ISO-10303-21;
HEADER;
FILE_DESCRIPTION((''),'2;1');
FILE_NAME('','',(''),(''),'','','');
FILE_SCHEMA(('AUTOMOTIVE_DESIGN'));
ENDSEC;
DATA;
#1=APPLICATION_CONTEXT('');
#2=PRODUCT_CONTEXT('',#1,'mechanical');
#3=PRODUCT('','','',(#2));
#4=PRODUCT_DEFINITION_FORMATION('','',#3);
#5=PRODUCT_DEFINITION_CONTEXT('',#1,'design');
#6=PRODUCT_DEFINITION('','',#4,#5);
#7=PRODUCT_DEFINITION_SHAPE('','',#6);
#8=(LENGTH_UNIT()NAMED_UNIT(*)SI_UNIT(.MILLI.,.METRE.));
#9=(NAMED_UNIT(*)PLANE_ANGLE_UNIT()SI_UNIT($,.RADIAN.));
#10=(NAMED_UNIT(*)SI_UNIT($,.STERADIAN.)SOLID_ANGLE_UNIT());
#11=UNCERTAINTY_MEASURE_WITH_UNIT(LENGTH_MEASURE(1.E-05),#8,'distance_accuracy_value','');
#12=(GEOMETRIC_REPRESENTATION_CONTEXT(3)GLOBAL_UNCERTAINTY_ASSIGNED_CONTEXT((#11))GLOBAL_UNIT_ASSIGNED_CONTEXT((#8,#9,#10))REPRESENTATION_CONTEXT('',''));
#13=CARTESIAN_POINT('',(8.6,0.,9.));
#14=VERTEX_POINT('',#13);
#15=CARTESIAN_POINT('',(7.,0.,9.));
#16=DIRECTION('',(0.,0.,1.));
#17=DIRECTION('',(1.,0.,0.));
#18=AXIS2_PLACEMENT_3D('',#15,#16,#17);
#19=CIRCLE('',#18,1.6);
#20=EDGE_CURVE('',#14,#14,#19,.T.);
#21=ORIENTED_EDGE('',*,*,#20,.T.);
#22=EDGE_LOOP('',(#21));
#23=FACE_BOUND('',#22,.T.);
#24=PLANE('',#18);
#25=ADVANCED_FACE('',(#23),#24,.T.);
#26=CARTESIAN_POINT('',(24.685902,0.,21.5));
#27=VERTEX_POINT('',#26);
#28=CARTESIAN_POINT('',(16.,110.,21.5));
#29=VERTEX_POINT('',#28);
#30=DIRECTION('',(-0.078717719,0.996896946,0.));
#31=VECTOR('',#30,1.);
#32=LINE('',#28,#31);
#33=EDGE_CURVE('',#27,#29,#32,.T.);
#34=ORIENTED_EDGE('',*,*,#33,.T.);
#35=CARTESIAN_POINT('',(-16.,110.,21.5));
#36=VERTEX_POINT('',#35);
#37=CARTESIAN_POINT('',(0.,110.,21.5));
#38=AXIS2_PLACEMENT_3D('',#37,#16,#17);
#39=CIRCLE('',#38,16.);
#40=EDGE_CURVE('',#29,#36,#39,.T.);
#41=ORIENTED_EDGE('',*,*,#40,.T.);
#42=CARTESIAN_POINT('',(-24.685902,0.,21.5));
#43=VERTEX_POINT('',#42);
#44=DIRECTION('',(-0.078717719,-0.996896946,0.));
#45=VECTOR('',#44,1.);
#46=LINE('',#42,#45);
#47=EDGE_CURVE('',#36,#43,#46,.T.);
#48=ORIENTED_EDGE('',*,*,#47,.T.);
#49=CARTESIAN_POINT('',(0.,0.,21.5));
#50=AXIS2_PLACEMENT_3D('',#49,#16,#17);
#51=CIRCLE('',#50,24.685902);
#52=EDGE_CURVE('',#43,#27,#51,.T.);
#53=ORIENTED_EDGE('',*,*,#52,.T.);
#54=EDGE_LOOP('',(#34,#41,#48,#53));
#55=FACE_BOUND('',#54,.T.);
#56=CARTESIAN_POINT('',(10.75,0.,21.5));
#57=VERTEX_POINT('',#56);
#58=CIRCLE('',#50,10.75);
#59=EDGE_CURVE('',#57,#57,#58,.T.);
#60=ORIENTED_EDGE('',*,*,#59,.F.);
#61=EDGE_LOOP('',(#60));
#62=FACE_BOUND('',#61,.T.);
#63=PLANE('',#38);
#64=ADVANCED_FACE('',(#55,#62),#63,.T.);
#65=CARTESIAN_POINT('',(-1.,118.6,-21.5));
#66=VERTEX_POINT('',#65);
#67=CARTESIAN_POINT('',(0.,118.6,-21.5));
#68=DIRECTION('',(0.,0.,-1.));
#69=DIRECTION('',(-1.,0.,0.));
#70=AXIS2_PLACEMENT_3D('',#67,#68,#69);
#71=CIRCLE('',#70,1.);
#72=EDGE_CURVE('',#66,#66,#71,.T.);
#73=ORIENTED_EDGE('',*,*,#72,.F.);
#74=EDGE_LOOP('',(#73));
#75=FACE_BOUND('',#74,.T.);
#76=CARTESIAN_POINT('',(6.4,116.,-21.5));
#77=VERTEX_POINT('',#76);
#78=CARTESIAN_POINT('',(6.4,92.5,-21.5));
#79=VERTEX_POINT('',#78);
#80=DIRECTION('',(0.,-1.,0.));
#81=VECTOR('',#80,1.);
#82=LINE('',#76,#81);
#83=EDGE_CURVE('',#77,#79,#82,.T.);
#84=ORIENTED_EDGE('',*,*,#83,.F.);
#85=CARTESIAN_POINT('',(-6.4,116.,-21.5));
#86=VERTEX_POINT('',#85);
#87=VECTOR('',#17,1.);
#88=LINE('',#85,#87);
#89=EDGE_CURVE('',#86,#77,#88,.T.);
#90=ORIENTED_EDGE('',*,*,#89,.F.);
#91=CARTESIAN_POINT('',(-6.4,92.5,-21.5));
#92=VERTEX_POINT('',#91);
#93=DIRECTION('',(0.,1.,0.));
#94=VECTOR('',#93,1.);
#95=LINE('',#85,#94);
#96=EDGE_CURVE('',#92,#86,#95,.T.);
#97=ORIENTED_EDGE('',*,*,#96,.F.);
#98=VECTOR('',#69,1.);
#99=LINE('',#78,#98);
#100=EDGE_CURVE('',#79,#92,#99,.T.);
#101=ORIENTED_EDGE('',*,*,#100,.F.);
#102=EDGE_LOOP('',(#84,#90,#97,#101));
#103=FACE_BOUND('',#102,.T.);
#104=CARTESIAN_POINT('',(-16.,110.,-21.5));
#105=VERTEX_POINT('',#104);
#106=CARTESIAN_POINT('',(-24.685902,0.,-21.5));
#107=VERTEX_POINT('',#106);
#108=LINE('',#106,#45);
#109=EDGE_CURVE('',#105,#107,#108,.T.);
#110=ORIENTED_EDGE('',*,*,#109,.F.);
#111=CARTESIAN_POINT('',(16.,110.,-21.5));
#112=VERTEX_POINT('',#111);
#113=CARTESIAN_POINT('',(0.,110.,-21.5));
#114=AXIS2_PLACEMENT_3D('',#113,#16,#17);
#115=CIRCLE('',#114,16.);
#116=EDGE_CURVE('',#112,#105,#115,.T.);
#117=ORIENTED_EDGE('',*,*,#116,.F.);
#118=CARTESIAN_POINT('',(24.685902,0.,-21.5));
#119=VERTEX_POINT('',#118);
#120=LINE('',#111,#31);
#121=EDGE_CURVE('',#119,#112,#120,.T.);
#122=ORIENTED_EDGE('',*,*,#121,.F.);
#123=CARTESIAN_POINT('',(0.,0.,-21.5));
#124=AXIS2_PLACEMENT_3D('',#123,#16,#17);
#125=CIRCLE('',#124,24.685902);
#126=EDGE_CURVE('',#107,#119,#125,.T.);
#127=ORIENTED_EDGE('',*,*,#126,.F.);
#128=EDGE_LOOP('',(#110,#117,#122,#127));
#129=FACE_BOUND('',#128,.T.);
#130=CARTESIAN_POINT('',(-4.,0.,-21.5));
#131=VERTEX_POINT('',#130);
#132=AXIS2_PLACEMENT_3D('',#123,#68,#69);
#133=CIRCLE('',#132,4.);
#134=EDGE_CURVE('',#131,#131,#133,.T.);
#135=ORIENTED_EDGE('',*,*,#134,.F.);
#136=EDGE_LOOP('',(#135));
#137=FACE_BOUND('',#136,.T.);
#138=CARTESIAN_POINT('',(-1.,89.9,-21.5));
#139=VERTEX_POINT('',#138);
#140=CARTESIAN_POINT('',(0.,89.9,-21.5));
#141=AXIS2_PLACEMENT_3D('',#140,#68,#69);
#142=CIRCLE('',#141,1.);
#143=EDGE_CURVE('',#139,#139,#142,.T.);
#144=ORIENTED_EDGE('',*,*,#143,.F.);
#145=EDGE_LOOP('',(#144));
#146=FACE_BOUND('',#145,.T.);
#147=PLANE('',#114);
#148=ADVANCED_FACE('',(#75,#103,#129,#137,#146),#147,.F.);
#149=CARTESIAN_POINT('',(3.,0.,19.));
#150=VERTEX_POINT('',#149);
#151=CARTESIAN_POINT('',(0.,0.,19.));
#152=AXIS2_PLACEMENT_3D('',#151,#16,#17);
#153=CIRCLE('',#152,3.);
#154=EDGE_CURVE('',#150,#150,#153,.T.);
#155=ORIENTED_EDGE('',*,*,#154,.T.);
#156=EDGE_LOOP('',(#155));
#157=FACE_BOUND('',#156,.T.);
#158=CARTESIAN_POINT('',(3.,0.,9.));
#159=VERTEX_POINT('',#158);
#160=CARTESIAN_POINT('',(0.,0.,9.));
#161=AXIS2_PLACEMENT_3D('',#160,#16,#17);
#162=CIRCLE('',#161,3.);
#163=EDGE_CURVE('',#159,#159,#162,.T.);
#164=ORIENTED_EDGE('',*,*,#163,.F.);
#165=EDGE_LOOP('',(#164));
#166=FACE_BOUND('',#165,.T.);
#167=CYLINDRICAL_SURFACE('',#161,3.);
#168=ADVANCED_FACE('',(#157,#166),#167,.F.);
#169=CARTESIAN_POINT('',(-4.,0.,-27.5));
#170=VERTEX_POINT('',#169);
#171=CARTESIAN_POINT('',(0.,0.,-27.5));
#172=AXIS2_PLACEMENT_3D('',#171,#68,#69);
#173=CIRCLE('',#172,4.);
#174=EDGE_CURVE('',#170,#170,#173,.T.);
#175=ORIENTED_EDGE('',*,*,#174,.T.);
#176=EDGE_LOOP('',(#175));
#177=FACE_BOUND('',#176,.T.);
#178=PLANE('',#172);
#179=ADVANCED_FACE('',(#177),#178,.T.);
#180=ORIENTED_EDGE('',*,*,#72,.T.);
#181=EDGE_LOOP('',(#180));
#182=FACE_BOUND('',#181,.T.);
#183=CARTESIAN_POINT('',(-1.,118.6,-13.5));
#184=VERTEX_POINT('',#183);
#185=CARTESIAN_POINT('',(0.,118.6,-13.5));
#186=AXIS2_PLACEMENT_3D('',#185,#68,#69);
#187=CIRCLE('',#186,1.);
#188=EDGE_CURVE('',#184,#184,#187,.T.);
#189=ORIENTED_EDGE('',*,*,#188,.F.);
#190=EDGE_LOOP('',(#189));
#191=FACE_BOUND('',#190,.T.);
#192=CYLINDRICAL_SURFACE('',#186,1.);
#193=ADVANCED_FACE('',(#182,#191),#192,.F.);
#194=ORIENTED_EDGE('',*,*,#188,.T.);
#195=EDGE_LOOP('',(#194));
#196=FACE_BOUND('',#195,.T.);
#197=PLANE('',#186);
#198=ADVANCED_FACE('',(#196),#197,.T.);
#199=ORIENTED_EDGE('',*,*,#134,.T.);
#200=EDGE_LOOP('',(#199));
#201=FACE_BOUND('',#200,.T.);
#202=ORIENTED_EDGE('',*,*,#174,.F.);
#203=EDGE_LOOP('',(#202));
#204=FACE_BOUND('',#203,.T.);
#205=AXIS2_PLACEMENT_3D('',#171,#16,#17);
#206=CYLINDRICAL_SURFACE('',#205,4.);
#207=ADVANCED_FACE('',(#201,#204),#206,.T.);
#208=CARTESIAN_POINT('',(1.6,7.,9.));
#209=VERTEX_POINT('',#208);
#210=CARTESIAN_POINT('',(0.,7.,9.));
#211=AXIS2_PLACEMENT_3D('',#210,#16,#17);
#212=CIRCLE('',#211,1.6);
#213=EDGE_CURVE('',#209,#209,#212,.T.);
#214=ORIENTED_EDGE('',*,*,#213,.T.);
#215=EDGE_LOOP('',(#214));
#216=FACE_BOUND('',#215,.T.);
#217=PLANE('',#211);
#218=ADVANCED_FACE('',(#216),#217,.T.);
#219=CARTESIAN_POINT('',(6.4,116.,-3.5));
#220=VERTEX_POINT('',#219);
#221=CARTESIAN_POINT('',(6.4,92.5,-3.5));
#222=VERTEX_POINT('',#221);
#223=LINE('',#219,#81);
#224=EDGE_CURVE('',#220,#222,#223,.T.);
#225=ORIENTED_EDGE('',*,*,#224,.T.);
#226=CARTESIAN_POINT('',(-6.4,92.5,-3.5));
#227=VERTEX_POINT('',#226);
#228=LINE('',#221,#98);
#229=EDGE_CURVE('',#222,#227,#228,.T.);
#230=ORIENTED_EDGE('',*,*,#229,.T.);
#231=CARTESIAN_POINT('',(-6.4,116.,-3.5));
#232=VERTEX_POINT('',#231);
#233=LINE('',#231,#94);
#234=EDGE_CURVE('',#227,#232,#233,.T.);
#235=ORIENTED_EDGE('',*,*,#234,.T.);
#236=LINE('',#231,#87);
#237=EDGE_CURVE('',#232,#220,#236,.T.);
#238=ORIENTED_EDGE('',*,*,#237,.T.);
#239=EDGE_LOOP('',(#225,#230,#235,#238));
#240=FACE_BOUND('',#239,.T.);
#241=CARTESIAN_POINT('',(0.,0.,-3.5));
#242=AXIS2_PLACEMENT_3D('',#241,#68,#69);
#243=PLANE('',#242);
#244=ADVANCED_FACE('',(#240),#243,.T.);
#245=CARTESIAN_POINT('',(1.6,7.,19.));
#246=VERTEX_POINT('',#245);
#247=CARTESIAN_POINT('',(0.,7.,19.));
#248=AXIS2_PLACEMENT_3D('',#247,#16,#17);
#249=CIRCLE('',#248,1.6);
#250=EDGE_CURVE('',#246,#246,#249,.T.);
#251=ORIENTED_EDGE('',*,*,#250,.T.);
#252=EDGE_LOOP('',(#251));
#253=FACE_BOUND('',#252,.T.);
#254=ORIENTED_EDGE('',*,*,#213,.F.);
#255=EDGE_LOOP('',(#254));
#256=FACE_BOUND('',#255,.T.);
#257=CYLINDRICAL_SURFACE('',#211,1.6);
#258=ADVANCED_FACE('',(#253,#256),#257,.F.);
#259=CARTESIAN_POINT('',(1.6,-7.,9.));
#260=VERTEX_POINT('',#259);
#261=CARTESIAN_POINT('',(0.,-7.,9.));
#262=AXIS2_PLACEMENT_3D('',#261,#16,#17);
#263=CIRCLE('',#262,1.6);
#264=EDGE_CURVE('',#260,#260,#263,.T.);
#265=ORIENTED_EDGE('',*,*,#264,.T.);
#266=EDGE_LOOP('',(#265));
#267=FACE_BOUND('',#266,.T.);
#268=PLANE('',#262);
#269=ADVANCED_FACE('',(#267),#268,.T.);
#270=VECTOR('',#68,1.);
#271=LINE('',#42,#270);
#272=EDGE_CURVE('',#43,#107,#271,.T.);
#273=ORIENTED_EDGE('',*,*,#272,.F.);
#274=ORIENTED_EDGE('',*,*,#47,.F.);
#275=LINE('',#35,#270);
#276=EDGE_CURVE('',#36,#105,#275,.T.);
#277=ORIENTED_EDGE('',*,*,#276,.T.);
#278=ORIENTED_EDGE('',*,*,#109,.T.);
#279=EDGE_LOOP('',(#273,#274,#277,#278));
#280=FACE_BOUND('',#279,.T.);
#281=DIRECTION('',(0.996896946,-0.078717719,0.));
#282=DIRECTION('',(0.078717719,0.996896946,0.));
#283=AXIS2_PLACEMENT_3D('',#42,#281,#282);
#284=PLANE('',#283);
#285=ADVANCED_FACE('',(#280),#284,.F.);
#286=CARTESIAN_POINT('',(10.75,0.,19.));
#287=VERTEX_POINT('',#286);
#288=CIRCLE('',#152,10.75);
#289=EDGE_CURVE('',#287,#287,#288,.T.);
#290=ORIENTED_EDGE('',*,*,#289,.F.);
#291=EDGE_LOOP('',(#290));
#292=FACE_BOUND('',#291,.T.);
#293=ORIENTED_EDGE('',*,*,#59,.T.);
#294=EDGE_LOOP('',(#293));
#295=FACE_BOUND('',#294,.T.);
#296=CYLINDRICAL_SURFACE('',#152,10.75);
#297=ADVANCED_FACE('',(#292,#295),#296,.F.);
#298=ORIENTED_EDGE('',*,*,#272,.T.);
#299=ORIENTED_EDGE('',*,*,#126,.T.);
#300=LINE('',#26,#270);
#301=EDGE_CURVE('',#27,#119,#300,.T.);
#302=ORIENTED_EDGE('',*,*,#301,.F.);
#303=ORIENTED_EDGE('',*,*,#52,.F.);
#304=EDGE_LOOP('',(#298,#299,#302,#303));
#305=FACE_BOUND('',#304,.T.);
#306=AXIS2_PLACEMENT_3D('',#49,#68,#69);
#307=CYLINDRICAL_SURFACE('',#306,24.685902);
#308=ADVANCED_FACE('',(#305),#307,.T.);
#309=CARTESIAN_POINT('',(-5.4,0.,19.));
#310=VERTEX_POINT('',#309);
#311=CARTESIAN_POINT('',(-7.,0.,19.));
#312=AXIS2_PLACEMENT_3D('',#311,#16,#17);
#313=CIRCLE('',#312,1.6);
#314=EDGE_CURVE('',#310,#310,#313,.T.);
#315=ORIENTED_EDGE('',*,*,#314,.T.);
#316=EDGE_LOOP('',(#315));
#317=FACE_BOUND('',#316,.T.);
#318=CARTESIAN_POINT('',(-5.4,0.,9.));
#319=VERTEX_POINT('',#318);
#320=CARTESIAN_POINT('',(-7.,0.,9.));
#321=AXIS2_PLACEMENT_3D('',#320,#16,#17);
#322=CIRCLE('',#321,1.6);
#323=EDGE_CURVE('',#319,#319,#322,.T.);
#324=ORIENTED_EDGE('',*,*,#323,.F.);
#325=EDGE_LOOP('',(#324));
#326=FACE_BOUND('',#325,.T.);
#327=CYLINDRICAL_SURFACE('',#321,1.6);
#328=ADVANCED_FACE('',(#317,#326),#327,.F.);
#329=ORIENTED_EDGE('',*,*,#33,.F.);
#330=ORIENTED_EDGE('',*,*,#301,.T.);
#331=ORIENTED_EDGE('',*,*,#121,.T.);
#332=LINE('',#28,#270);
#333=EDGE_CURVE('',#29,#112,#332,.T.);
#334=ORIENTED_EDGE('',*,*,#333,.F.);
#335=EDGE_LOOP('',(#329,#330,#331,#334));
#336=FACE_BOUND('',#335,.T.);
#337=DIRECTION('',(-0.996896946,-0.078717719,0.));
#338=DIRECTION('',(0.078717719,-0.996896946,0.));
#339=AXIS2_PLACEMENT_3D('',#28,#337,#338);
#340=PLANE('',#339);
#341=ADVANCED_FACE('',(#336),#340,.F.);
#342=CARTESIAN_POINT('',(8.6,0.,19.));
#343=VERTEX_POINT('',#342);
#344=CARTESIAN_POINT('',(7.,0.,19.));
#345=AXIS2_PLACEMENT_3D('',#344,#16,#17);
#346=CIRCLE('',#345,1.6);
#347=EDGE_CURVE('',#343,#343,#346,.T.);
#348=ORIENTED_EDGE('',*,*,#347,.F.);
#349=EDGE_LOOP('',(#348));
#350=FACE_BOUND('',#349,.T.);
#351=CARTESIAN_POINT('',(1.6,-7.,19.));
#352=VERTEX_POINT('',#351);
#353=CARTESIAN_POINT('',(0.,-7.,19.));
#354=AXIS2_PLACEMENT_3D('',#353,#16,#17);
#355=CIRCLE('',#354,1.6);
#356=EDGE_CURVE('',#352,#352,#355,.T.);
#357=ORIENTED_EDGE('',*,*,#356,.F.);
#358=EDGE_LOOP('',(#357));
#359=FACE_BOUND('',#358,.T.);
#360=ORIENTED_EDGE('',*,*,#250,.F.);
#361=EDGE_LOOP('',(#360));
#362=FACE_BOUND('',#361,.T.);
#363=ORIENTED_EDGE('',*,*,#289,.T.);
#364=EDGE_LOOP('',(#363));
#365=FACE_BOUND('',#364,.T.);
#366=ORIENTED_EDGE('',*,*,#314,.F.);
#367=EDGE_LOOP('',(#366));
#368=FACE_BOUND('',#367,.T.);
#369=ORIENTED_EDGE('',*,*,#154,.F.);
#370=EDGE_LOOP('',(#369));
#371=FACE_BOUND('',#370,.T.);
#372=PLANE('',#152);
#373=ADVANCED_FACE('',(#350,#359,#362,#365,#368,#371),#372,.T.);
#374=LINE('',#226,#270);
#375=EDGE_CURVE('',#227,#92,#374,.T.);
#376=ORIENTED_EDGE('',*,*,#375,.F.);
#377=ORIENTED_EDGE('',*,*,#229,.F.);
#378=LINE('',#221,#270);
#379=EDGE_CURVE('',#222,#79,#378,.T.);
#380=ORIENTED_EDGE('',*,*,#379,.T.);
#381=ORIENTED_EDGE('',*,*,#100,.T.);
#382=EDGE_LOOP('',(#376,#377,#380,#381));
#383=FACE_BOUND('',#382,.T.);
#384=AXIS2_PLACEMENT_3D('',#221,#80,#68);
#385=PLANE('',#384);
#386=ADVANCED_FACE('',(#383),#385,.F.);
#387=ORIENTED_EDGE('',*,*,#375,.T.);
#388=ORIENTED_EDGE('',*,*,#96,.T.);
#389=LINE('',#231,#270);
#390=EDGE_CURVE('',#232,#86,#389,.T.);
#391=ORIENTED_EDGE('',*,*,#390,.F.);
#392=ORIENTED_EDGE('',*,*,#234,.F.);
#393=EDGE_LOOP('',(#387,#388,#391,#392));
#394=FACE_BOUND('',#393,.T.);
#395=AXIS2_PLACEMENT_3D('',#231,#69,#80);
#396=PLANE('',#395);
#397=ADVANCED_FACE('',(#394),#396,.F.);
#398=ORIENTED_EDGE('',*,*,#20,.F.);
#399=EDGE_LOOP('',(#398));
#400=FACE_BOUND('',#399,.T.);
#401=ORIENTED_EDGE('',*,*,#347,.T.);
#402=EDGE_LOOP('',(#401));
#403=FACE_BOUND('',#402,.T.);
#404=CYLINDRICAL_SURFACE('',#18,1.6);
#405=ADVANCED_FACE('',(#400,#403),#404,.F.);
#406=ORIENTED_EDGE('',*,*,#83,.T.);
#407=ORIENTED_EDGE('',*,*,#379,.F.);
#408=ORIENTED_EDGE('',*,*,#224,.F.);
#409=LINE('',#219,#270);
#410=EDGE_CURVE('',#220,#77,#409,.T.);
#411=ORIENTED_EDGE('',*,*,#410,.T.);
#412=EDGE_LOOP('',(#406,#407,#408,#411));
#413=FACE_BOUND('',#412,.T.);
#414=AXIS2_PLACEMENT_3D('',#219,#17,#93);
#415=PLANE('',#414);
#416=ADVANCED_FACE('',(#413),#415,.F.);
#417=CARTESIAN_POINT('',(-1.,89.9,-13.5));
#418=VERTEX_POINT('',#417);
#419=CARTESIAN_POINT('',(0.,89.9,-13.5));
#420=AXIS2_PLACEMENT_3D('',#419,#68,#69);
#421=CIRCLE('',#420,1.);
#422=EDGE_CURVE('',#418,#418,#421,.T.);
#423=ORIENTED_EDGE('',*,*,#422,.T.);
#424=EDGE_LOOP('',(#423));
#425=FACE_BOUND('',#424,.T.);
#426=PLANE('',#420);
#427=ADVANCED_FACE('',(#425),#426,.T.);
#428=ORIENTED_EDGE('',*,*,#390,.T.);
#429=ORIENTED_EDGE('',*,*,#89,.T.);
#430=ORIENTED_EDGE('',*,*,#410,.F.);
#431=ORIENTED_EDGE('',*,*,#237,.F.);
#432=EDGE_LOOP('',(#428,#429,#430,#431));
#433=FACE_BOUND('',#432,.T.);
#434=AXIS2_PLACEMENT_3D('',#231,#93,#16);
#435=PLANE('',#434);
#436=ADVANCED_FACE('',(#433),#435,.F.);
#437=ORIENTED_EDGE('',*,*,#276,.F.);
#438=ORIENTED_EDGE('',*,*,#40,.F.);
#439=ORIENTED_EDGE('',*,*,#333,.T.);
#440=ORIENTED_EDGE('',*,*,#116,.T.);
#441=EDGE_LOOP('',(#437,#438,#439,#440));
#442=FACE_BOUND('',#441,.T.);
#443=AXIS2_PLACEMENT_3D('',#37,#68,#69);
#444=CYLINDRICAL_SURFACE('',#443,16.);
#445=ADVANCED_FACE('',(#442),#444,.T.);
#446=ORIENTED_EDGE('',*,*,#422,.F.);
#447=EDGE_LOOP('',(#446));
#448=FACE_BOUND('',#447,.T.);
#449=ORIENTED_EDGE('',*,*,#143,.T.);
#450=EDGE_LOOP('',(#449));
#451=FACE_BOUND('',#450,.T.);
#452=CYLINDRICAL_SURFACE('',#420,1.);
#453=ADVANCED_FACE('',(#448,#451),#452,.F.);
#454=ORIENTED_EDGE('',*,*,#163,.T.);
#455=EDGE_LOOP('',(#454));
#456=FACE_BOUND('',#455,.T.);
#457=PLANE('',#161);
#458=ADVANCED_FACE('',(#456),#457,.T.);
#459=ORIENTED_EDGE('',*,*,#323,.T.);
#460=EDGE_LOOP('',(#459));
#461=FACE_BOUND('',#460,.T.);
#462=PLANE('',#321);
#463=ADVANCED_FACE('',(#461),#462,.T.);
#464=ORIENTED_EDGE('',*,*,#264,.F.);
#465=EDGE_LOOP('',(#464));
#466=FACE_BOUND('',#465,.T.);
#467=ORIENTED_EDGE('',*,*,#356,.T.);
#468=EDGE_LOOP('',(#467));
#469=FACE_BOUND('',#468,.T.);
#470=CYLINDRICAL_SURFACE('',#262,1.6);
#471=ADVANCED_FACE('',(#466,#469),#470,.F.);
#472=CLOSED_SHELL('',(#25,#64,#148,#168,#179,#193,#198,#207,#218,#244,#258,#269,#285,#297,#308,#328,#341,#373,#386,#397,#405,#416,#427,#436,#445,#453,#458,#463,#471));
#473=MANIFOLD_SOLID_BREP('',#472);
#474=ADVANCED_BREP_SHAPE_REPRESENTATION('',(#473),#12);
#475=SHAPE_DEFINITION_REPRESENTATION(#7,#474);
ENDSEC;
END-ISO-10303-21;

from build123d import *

# Parameters (mm, degrees)
BOSS_EXTRUDE1_DEPTH = 21.5
SKETCH2_R           = 10.75
CUT_EXTRUDE1_DEPTH  = 2.5
SKETCH3_R           = 3
SKETCH3_R_2         = 1.6
CUT_EXTRUDE2_DEPTH  = 10
SKETCH4_R           = 4
BOSS_EXTRUDE2_DEPTH = 6
SKETCH6_W           = 12.8
SKETCH6_H           = 23.5
CUT_EXTRUDE3_DEPTH  = 18
SKETCH8_R           = 1
CUT_EXTRUDE4_DEPTH  = 8


with BuildPart() as part:
    # Sketch1 → Boss-Extrude1 (new, symmetric)
    with BuildSketch(Plane.XY):
        with BuildLine():
            Line((16, 110), (24.685901916, 0))
            ThreePointArc((24.685901916, 0), (0, -24.685901916), (-24.685901916, 0))
            Line((-24.685901916, 0), (-16, 110))
            ThreePointArc((-16, 110), (0, 126), (16, 110))
        make_face()
    extrude(amount=BOSS_EXTRUDE1_DEPTH, both=True)

    # Sketch2 → Cut-Extrude1 (cut)
    with BuildSketch(Plane.XY.offset(21.5)):
        Circle(SKETCH2_R)
    extrude(amount=-CUT_EXTRUDE1_DEPTH, mode=Mode.SUBTRACT)

    # Sketch3 → Cut-Extrude2 (cut)
    with BuildSketch(Plane.XY.offset(19)):
        Circle(SKETCH3_R)
        with Locations((0, 7)):
            Circle(SKETCH3_R_2)
        with Locations((7, 0)):
            Circle(SKETCH3_R_2)
        with Locations((0, -7)):
            Circle(SKETCH3_R_2)
        with Locations((-7, 0)):
            Circle(SKETCH3_R_2)
    extrude(amount=-CUT_EXTRUDE2_DEPTH, mode=Mode.SUBTRACT)

    # Sketch4 → Boss-Extrude2 (add)
    with BuildSketch(Plane(origin=(0, 0, -21.5), x_dir=(-1, 0, 0), z_dir=(0, 0, -1))):
        Circle(SKETCH4_R)
    extrude(amount=BOSS_EXTRUDE2_DEPTH)

    # Sketch6 → Cut-Extrude3 (cut)
    with BuildSketch(Plane(origin=(0, 0, -21.5), x_dir=(-1, 0, 0), z_dir=(0, 0, -1))):
        with Locations((0, 104.25)):
            Rectangle(SKETCH6_W, SKETCH6_H)
    extrude(amount=-CUT_EXTRUDE3_DEPTH, mode=Mode.SUBTRACT)

    # Sketch8 → Cut-Extrude4 (cut)
    with BuildSketch(Plane(origin=(0, 0, -21.5), x_dir=(-1, 0, 0), z_dir=(0, 0, -1))):
        with Locations((0, 118.6)):
            Circle(SKETCH8_R)
        with Locations((0, 89.9)):
            Circle(SKETCH8_R)
    extrude(amount=-CUT_EXTRUDE4_DEPTH, mode=Mode.SUBTRACT)


solid = part.part
